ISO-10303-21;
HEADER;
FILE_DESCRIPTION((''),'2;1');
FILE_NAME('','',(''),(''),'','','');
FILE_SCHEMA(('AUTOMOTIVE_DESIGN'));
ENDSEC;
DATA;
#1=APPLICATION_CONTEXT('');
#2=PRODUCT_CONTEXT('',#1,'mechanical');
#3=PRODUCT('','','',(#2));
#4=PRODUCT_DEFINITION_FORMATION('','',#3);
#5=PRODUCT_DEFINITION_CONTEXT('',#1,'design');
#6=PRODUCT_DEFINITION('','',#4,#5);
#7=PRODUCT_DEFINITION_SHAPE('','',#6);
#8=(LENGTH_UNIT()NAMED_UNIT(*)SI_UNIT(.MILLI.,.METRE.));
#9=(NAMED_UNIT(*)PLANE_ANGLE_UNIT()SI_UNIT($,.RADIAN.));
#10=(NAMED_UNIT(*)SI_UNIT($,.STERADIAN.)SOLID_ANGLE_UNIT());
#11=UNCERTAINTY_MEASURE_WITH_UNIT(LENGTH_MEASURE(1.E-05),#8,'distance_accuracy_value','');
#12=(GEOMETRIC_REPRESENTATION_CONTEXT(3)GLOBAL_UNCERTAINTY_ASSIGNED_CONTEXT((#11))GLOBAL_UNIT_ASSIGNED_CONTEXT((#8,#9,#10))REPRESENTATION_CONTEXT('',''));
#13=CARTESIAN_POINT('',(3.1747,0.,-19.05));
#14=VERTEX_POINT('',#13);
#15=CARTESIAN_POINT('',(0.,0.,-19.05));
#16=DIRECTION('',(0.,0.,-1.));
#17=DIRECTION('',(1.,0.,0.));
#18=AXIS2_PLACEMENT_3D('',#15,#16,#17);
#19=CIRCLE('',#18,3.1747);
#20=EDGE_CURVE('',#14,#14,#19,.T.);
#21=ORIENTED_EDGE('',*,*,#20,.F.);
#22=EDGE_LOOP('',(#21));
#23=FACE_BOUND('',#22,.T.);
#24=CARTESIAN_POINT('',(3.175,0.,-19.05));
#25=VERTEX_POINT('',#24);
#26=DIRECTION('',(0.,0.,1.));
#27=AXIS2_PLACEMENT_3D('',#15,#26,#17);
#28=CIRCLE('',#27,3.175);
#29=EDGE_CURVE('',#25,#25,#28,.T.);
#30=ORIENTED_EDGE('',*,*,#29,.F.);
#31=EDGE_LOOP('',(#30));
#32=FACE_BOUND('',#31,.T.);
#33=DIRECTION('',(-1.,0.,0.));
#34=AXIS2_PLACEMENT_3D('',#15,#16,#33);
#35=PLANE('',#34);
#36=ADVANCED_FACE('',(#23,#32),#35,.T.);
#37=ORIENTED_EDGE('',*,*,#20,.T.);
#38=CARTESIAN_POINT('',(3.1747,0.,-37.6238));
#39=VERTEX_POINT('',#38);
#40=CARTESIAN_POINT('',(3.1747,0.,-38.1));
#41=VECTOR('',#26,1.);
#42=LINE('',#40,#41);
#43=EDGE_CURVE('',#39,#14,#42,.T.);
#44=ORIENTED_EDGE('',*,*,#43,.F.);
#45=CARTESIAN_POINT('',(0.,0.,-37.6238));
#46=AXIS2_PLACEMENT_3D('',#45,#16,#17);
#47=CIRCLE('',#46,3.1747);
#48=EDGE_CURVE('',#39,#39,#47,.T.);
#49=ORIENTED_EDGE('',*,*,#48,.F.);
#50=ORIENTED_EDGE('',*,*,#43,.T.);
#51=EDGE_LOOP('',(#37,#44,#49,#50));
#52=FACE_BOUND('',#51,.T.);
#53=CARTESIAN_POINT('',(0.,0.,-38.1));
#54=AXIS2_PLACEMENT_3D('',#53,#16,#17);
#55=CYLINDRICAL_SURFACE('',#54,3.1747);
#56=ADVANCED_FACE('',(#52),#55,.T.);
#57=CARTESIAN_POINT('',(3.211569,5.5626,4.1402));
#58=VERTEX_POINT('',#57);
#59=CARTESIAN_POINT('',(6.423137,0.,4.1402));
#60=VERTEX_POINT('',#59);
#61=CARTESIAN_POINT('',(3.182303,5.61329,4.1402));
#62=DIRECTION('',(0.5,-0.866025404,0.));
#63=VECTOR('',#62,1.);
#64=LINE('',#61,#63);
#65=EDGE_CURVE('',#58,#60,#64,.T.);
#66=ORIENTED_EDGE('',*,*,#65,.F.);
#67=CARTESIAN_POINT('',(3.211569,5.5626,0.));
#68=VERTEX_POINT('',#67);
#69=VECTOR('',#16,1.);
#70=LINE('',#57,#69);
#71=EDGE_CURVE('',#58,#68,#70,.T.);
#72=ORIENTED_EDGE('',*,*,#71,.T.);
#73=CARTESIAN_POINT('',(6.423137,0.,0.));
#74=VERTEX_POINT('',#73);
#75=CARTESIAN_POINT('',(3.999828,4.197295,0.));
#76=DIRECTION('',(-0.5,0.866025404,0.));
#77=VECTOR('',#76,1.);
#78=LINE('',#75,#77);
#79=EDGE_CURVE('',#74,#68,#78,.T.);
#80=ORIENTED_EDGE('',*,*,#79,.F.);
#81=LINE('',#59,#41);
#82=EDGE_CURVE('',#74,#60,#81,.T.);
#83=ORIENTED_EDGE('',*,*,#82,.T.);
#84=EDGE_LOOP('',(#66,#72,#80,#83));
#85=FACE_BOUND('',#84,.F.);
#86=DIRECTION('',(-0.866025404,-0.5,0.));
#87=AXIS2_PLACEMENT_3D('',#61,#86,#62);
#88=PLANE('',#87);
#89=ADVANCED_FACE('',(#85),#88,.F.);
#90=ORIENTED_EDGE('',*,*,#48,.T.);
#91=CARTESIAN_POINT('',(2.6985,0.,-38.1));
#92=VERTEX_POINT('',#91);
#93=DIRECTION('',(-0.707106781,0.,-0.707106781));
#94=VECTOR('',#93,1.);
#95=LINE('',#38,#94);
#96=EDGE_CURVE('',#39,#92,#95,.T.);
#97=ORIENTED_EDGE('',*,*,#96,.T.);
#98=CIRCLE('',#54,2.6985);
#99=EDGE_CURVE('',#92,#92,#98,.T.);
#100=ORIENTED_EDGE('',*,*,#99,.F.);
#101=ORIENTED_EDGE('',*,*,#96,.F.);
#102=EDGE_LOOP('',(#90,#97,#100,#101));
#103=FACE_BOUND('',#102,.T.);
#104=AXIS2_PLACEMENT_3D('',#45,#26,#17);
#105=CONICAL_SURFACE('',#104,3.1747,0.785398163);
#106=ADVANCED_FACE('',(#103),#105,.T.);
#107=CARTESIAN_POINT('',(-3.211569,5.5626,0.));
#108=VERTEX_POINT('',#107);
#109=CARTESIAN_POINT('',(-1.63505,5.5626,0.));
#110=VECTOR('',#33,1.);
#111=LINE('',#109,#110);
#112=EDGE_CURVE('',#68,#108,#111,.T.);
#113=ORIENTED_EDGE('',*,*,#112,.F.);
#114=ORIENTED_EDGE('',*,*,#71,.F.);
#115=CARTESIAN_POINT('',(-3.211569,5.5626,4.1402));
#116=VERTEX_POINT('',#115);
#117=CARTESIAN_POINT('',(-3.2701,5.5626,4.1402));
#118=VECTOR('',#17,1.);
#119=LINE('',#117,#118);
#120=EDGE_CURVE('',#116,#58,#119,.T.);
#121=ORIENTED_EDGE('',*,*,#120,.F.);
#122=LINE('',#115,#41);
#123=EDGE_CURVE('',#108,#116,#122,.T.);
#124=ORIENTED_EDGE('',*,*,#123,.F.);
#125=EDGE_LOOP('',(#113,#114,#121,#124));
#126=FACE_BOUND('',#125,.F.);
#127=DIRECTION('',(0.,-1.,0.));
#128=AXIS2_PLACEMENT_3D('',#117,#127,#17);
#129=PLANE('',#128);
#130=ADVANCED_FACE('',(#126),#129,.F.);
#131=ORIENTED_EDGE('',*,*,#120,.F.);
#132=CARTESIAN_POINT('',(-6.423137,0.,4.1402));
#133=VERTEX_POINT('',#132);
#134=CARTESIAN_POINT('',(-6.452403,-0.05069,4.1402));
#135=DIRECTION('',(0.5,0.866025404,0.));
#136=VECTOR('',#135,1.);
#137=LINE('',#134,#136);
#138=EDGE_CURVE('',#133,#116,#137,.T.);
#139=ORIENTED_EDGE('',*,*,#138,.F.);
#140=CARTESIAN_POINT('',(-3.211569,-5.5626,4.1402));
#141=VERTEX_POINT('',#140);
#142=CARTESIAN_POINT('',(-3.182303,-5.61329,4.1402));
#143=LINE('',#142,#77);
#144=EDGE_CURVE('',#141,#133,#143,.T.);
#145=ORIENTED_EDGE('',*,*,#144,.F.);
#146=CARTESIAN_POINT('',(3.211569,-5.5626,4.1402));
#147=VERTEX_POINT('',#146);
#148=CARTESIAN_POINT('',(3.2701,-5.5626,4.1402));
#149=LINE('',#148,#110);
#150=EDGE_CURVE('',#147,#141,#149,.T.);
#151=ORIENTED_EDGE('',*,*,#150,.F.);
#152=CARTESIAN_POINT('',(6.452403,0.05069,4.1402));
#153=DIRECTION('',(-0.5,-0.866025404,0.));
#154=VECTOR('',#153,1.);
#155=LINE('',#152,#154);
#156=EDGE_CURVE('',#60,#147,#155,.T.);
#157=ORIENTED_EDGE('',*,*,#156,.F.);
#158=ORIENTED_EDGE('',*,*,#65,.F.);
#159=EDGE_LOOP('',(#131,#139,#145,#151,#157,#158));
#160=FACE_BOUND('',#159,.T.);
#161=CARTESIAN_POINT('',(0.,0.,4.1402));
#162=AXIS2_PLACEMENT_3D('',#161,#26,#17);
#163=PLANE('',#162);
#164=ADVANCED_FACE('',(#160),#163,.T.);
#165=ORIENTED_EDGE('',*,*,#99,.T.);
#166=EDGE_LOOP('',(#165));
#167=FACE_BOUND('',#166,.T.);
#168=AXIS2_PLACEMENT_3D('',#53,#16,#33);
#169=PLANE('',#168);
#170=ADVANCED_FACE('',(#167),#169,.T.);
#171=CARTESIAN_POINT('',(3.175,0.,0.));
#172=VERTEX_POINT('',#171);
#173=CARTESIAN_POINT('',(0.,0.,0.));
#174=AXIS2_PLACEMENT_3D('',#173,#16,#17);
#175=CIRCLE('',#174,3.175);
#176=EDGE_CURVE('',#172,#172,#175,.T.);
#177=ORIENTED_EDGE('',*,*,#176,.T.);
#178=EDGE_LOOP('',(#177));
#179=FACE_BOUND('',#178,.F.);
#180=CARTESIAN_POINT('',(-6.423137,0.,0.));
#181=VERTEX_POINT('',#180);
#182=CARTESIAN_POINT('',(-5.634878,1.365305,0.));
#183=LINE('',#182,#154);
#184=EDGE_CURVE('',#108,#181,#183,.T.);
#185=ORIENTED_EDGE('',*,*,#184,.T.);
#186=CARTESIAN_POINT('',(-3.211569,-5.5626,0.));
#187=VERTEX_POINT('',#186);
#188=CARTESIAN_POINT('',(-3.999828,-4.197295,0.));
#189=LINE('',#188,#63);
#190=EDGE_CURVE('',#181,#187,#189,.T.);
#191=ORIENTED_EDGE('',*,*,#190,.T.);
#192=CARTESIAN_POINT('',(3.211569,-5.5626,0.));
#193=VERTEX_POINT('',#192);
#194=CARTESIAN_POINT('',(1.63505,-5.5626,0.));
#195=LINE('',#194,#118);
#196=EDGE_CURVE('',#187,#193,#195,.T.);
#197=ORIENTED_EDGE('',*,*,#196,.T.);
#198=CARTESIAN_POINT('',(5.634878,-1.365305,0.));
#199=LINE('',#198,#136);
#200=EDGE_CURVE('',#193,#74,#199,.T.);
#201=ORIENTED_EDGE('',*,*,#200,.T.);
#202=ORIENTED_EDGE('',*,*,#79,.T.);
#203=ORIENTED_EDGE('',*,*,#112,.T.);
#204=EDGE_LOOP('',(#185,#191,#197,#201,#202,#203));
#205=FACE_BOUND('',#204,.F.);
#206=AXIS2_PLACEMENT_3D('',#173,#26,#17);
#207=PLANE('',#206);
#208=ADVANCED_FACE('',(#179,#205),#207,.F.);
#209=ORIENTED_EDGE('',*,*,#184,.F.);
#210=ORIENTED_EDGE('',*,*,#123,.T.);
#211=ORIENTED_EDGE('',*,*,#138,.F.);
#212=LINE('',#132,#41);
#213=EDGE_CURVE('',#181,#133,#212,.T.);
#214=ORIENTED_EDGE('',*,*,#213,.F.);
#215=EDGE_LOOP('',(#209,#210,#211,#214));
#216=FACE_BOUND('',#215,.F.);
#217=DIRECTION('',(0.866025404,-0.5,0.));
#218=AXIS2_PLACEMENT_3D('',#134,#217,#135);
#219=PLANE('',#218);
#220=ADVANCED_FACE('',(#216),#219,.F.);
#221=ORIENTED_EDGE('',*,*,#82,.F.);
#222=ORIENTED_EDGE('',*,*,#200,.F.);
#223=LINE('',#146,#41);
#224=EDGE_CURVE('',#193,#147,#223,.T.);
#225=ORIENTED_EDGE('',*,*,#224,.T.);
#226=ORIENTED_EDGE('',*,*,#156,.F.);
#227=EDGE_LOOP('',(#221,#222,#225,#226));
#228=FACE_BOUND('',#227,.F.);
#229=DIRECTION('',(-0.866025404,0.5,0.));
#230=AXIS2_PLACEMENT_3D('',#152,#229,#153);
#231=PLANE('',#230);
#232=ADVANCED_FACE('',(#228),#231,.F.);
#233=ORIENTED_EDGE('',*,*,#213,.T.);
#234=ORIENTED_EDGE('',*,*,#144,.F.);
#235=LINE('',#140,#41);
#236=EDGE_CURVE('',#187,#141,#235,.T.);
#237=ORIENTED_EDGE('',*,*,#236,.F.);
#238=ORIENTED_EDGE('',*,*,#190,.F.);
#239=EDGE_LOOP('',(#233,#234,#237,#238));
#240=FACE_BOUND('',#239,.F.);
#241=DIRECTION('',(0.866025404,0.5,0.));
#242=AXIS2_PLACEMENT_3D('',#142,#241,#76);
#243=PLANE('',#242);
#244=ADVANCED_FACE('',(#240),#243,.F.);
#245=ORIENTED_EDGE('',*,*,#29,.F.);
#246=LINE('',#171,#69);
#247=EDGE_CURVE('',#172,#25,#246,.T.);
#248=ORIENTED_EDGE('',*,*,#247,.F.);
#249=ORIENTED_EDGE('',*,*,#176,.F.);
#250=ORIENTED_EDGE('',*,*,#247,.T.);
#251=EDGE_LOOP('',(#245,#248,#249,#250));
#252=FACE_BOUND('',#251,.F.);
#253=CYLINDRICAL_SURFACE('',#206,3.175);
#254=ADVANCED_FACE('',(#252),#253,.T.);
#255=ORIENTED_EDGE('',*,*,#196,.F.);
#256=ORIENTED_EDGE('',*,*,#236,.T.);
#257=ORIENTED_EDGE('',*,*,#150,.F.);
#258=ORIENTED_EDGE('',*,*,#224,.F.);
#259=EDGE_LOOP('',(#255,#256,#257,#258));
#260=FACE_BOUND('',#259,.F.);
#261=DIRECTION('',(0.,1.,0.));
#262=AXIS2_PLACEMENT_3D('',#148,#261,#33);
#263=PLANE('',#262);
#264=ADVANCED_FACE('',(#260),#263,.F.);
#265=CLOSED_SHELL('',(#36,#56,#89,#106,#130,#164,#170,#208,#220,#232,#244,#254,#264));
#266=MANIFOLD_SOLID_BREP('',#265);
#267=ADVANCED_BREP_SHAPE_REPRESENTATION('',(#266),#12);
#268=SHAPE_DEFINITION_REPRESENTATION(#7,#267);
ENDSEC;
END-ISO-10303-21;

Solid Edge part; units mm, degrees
sketch "Sketch1" plane through (0, 0, 0) normal (0, 0, 1) x (1, 0, 0)
  circle A0 centre (0, 0) radius 6.4526
  dimension "D1" = 12.9052
extrude "Protrusion1" add sketch "Sketch1" along normal blind 4.1402
sketch "Sketch2" plane through (0, 0, 0) normal (0, 0, -1) x (1, 0, 0)
  circle A0 centre (0, 0) radius 3.175
extrude "Protrusion2" add sketch "Sketch2" along normal blind 38.1
sketch "Sketch3" plane through (0, 0, -38.1) normal (0, 0, -1) x (1, 0, 0)
  circle A0 centre (0, 0) radius 3.1747
extrude "Cutout1" cut sketch "Sketch3" against normal blind 19.05 flip side to cut
chamfer "Chamfer_1" distance 0.4762 angle 45 1 edges at (-3.1747, 0, -38.1)
sketch "Sketch4" plane through (0, 0, 4.1402) normal (0, 0, 1) x (1, 0, 0)
  line L0 (-3.2701, 5.5626) -> (3.2701, 5.5626)
  dimension "D1" = 11.1252
extrude "Cutout2" cut sketch "Sketch4" against normal up to next material side at (0, 5.6126, 4.1402)
pattern_circular "Pattern1" count 6 over 360 about axis through (0, 0, 4.1402) along (0, 0, 1) of "Cutout2"
properties part number "24100003"
